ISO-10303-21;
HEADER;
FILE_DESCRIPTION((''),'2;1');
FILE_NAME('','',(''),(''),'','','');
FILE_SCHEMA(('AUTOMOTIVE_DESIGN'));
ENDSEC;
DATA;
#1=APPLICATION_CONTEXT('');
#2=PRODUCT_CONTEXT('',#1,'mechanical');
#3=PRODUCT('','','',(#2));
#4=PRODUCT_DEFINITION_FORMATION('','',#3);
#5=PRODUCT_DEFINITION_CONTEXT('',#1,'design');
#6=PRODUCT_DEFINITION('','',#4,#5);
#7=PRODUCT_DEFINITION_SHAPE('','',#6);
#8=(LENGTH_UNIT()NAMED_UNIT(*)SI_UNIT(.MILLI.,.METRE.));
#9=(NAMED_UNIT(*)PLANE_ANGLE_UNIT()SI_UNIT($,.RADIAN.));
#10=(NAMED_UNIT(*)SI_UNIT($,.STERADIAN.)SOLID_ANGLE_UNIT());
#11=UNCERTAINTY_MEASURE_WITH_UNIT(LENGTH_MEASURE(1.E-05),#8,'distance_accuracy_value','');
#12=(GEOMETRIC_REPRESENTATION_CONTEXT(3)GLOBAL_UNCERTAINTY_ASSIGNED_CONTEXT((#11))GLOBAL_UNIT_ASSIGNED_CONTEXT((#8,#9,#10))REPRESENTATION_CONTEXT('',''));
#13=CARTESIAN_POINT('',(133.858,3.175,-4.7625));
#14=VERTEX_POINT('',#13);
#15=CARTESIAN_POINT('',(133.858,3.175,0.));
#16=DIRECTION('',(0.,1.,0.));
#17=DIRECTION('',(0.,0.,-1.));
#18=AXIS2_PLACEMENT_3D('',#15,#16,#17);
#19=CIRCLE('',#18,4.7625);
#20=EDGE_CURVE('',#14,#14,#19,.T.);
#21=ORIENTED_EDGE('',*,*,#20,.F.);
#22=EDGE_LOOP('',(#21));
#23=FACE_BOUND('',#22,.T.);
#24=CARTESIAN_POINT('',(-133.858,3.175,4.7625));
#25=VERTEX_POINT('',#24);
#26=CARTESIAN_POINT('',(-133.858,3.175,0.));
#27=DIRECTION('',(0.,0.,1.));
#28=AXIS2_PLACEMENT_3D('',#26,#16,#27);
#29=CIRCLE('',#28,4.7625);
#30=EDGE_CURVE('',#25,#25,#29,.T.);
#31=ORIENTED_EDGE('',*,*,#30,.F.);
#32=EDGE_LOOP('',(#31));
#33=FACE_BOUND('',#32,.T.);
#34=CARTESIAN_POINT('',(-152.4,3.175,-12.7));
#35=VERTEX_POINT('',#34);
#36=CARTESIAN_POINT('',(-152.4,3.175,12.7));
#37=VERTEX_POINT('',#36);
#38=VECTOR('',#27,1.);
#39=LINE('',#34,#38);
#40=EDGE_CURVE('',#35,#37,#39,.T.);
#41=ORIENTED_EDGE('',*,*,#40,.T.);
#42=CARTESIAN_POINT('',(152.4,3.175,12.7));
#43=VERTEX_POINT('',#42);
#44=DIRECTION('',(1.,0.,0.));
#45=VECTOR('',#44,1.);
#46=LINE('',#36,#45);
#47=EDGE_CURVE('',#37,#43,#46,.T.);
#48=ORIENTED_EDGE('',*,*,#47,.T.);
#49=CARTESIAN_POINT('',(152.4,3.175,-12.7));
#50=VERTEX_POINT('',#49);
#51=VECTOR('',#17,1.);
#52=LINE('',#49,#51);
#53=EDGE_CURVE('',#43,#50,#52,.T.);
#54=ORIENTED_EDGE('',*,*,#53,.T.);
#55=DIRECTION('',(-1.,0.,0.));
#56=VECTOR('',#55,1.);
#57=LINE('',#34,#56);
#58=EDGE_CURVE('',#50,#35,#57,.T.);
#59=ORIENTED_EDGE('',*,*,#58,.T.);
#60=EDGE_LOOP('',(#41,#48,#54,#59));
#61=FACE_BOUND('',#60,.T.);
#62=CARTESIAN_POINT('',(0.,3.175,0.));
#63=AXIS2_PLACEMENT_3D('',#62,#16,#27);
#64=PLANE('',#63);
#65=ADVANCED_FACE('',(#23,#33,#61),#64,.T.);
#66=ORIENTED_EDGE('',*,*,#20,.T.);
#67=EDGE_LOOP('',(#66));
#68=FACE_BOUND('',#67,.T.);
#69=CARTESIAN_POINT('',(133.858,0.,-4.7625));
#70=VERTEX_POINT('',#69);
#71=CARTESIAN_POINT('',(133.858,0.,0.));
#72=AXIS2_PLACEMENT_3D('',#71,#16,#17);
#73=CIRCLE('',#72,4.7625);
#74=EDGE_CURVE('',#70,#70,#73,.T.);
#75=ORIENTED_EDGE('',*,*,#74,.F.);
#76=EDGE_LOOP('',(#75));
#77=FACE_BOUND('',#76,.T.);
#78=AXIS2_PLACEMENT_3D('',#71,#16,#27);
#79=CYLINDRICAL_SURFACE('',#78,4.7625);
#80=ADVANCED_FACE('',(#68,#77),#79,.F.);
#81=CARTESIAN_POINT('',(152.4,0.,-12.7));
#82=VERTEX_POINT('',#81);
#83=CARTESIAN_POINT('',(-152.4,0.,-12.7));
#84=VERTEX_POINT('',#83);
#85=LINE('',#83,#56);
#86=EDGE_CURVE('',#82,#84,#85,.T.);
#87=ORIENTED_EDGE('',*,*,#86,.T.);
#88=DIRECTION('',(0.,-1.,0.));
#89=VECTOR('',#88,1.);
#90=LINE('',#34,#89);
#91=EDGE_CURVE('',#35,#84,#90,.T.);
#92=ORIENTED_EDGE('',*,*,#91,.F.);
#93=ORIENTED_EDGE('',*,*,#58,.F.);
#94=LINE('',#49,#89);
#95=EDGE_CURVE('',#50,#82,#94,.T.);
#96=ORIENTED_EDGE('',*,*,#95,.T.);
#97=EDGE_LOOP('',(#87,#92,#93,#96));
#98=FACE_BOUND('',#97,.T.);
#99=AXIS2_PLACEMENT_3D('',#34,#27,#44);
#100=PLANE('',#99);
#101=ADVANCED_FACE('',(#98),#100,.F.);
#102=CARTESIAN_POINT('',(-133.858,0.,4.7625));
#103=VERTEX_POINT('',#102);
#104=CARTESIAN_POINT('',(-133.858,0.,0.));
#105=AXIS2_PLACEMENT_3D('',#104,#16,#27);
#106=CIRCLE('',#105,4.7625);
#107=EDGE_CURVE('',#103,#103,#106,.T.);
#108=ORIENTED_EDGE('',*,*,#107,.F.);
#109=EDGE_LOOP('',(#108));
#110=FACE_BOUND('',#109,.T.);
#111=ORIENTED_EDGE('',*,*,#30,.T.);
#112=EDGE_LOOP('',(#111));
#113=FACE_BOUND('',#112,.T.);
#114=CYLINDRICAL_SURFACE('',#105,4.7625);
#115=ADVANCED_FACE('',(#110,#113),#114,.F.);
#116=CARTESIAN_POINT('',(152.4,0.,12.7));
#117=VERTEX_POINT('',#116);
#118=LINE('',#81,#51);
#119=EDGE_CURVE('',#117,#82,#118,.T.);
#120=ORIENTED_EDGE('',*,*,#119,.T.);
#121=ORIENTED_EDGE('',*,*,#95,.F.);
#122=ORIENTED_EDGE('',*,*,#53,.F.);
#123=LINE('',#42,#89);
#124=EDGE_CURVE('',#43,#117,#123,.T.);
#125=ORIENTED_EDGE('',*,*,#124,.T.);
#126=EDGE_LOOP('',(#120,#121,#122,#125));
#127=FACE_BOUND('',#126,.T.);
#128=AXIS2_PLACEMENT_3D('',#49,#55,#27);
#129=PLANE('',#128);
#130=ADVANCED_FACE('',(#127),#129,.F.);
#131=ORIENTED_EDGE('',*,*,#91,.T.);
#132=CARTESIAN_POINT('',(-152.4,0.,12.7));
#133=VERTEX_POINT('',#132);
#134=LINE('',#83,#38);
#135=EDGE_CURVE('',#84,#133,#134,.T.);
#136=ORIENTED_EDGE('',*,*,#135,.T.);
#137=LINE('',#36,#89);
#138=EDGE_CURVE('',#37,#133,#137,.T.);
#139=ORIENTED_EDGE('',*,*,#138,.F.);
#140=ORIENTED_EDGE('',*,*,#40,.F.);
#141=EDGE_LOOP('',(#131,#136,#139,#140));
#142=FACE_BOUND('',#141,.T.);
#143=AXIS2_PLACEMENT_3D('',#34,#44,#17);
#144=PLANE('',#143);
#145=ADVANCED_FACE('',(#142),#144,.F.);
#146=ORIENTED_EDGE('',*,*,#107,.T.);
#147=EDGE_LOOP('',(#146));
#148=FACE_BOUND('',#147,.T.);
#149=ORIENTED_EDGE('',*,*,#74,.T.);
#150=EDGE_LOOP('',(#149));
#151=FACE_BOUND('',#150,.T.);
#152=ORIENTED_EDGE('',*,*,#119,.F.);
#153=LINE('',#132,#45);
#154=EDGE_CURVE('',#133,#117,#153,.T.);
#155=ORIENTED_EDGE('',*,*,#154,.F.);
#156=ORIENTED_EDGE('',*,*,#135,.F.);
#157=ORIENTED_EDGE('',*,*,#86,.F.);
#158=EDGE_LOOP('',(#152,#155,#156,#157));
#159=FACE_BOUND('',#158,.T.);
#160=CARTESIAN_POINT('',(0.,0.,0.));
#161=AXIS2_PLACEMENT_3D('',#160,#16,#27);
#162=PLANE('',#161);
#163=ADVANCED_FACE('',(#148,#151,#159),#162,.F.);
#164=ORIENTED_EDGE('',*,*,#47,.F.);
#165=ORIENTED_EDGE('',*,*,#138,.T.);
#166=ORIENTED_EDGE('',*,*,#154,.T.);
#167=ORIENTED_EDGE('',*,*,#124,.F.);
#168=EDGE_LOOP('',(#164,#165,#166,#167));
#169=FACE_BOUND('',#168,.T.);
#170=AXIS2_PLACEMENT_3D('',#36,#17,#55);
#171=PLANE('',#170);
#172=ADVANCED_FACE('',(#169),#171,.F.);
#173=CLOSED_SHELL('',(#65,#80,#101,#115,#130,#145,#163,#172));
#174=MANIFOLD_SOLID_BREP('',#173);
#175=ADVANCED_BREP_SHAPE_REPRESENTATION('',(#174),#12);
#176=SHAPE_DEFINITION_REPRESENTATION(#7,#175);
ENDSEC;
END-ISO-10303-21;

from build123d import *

# Parameters (mm, degrees)
SKETCH1_W           = 304.8
SKETCH1_H           = 25.4
BOSS_EXTRUDE1_DEPTH = 3.175
SKETCH2_R           = 4.7625
CUT_EXTRUDE1_DEPTH  = 4.175


with BuildPart() as part:
    # Sketch1 → Boss-Extrude1 (new body)
    with BuildSketch(Plane(origin=(0, 0, 0), x_dir=(1, 0, 0), z_dir=(0, 1, 0))):
        Rectangle(SKETCH1_W, SKETCH1_H)
    extrude(amount=BOSS_EXTRUDE1_DEPTH)

    # Sketch2 → Cut-Extrude1 (cut, through all)
    with BuildSketch(Plane(origin=(0, 3.175, 0), x_dir=(1, 0, 0), z_dir=(0, 1, 0))):
        with Locations((-133.858, 0)):
            Circle(SKETCH2_R)
        with Locations((133.858, 0)):
            Circle(SKETCH2_R)
    extrude(amount=-CUT_EXTRUDE1_DEPTH, mode=Mode.SUBTRACT)


solid = part.part
